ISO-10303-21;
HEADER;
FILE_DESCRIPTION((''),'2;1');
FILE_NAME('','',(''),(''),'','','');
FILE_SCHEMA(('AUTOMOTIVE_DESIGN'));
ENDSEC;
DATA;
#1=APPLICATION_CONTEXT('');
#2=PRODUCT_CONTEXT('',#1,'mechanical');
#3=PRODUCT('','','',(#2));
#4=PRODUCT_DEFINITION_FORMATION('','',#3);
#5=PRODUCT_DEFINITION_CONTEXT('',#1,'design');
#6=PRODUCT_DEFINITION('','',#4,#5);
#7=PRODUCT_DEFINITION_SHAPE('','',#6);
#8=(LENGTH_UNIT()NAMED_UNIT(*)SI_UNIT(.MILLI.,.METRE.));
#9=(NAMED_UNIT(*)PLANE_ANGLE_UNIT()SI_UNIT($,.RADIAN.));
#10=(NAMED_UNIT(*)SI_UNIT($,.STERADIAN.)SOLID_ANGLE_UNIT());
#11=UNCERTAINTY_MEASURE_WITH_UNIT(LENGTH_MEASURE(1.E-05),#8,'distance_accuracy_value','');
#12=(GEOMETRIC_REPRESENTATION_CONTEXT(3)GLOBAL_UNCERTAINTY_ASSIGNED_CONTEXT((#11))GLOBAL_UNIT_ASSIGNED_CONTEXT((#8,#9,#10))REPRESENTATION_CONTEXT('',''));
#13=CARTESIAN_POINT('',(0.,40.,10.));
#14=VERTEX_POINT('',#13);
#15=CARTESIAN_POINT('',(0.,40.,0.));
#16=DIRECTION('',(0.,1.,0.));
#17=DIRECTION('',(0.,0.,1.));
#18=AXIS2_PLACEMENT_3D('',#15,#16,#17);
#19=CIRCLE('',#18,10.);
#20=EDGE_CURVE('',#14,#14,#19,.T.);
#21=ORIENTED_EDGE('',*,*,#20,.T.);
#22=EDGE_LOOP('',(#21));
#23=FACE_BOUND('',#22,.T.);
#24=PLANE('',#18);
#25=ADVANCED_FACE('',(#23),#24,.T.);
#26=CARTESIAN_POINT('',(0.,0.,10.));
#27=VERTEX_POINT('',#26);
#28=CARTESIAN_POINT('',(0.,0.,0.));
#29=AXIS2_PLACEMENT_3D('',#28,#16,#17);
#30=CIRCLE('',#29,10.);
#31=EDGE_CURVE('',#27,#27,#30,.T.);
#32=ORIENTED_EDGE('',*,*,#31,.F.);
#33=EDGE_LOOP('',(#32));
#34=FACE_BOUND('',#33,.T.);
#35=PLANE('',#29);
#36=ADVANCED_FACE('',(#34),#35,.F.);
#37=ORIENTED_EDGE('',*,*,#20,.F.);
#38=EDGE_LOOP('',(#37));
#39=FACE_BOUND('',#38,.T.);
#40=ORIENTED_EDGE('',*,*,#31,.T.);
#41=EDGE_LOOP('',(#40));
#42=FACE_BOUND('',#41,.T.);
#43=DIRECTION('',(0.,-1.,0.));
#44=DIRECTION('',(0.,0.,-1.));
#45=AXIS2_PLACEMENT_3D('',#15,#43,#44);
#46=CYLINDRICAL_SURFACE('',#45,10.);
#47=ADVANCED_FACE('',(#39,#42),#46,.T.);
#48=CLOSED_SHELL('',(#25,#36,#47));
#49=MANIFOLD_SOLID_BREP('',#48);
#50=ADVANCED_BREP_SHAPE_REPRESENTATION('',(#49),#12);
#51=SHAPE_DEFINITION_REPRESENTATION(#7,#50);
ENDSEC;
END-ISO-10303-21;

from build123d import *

# Parameters (mm, degrees)
SKETCH1_R      = 10
EXTRUDE1_DEPTH = 40


with BuildPart() as part:
    # Sketch1 → Extrude1 (new body)
    with BuildSketch(Plane(origin=(0, 0, 0), x_dir=(1, 0, 0), z_dir=(0, 1, 0))):
        with Locations(Location((0, 0, 0), (0, 0, 270))):  # turned: the seam where the file's is
            Circle(SKETCH1_R)
    extrude(amount=EXTRUDE1_DEPTH)


solid = part.part
